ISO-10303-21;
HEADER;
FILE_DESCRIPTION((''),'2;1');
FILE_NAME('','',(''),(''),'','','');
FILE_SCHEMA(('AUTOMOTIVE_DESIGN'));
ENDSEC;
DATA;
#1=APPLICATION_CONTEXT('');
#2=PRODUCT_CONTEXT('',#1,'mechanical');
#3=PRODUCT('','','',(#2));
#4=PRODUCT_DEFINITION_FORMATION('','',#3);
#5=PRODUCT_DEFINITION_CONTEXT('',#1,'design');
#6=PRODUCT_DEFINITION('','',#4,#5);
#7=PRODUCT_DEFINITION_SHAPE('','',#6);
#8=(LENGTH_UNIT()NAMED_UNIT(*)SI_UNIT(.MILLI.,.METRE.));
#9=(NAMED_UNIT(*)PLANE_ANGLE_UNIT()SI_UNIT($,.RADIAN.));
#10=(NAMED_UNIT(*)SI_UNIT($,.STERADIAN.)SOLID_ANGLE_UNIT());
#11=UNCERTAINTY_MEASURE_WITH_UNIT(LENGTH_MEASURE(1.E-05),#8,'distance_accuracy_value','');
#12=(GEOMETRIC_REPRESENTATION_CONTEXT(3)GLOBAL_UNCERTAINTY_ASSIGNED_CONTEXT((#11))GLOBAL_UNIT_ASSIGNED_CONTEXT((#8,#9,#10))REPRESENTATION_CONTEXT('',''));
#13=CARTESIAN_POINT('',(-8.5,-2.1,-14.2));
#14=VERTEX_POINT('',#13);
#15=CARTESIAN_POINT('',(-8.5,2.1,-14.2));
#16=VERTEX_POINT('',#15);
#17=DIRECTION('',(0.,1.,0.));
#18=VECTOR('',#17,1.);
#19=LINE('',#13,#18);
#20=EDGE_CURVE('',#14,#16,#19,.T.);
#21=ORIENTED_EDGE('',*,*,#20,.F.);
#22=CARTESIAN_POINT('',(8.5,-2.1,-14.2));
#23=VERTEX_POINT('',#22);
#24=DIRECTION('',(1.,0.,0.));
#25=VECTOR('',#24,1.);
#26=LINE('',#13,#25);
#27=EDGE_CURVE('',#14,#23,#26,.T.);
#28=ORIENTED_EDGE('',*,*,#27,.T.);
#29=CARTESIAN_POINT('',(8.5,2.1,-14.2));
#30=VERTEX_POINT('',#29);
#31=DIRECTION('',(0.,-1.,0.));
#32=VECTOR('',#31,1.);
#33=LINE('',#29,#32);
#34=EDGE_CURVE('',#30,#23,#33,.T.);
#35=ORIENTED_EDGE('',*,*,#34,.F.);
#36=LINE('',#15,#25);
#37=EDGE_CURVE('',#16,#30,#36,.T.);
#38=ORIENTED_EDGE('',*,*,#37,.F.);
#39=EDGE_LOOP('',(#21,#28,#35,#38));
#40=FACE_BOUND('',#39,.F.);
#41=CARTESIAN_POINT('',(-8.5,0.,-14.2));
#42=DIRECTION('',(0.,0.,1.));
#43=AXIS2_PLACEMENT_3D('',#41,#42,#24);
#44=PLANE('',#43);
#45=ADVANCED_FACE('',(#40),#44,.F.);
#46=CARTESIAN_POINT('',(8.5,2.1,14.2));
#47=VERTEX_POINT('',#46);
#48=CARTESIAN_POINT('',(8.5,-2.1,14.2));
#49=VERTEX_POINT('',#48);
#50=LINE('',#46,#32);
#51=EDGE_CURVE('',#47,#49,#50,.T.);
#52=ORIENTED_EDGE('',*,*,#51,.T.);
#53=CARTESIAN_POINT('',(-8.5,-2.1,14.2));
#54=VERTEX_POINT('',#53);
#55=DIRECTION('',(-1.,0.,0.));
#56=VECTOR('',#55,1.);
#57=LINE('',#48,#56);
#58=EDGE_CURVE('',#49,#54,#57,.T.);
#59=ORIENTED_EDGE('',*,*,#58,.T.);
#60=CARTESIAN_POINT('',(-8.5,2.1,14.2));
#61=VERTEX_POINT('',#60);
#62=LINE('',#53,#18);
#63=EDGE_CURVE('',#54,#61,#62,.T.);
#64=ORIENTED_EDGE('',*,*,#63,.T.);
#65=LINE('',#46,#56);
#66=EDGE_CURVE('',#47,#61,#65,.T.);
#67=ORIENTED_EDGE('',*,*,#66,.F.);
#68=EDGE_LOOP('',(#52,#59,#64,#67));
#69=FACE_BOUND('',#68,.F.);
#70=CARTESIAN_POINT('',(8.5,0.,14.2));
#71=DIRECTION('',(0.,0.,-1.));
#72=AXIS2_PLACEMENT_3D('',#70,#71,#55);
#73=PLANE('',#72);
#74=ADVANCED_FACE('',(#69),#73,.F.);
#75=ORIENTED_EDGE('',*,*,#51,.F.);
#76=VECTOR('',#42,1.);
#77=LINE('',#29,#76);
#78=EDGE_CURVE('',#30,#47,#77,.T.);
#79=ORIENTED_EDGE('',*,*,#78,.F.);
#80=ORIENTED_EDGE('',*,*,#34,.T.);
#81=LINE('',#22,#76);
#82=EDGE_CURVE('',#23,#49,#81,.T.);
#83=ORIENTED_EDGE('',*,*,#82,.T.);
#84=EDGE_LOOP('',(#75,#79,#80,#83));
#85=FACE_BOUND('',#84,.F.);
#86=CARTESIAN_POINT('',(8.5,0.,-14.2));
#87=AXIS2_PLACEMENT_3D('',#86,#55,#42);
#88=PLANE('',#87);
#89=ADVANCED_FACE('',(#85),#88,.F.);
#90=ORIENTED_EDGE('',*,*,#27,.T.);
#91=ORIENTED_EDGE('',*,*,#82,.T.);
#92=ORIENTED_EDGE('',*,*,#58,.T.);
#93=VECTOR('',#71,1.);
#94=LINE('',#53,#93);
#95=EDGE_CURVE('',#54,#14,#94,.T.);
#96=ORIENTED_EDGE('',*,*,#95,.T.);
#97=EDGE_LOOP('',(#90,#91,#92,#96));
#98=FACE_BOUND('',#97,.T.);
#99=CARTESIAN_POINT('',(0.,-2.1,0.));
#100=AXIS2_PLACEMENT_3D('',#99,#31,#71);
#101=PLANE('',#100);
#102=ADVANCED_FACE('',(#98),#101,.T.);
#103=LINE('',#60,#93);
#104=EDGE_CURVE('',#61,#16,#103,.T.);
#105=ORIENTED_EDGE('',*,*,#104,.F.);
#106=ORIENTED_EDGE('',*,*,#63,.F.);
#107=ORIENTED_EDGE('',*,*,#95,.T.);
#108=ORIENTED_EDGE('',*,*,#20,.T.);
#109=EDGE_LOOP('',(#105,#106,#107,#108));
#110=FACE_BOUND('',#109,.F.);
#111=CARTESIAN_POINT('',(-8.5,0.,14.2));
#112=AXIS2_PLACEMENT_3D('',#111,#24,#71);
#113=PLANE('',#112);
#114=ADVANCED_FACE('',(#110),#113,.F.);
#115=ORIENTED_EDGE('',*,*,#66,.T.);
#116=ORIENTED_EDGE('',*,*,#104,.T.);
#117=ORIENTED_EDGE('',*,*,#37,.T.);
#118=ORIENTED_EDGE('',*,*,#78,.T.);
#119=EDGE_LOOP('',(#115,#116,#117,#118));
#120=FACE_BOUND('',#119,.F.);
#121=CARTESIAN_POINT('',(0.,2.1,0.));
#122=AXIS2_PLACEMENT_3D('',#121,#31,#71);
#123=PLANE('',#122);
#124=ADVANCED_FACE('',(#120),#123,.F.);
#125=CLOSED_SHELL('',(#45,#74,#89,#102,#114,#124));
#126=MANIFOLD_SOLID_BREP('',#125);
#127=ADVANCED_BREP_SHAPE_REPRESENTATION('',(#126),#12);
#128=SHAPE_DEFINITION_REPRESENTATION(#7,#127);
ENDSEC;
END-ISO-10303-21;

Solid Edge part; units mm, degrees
sketch "Sketch1" plane through (0, 0, 0) normal (0, -1, 0) x (1, 0, 0)
  line L0 (-8.5, -14.2) -> (8.5, -14.2)
  line L1 (8.5, -14.2) -> (8.5, 14.2)
  line L2 (8.5, 14.2) -> (-8.5, 14.2)
  line L3 (-8.5, 14.2) -> (-8.5, -14.2)
extrude "Protrusion1" add sketch "Sketch1" along normal mid plane 4.2
